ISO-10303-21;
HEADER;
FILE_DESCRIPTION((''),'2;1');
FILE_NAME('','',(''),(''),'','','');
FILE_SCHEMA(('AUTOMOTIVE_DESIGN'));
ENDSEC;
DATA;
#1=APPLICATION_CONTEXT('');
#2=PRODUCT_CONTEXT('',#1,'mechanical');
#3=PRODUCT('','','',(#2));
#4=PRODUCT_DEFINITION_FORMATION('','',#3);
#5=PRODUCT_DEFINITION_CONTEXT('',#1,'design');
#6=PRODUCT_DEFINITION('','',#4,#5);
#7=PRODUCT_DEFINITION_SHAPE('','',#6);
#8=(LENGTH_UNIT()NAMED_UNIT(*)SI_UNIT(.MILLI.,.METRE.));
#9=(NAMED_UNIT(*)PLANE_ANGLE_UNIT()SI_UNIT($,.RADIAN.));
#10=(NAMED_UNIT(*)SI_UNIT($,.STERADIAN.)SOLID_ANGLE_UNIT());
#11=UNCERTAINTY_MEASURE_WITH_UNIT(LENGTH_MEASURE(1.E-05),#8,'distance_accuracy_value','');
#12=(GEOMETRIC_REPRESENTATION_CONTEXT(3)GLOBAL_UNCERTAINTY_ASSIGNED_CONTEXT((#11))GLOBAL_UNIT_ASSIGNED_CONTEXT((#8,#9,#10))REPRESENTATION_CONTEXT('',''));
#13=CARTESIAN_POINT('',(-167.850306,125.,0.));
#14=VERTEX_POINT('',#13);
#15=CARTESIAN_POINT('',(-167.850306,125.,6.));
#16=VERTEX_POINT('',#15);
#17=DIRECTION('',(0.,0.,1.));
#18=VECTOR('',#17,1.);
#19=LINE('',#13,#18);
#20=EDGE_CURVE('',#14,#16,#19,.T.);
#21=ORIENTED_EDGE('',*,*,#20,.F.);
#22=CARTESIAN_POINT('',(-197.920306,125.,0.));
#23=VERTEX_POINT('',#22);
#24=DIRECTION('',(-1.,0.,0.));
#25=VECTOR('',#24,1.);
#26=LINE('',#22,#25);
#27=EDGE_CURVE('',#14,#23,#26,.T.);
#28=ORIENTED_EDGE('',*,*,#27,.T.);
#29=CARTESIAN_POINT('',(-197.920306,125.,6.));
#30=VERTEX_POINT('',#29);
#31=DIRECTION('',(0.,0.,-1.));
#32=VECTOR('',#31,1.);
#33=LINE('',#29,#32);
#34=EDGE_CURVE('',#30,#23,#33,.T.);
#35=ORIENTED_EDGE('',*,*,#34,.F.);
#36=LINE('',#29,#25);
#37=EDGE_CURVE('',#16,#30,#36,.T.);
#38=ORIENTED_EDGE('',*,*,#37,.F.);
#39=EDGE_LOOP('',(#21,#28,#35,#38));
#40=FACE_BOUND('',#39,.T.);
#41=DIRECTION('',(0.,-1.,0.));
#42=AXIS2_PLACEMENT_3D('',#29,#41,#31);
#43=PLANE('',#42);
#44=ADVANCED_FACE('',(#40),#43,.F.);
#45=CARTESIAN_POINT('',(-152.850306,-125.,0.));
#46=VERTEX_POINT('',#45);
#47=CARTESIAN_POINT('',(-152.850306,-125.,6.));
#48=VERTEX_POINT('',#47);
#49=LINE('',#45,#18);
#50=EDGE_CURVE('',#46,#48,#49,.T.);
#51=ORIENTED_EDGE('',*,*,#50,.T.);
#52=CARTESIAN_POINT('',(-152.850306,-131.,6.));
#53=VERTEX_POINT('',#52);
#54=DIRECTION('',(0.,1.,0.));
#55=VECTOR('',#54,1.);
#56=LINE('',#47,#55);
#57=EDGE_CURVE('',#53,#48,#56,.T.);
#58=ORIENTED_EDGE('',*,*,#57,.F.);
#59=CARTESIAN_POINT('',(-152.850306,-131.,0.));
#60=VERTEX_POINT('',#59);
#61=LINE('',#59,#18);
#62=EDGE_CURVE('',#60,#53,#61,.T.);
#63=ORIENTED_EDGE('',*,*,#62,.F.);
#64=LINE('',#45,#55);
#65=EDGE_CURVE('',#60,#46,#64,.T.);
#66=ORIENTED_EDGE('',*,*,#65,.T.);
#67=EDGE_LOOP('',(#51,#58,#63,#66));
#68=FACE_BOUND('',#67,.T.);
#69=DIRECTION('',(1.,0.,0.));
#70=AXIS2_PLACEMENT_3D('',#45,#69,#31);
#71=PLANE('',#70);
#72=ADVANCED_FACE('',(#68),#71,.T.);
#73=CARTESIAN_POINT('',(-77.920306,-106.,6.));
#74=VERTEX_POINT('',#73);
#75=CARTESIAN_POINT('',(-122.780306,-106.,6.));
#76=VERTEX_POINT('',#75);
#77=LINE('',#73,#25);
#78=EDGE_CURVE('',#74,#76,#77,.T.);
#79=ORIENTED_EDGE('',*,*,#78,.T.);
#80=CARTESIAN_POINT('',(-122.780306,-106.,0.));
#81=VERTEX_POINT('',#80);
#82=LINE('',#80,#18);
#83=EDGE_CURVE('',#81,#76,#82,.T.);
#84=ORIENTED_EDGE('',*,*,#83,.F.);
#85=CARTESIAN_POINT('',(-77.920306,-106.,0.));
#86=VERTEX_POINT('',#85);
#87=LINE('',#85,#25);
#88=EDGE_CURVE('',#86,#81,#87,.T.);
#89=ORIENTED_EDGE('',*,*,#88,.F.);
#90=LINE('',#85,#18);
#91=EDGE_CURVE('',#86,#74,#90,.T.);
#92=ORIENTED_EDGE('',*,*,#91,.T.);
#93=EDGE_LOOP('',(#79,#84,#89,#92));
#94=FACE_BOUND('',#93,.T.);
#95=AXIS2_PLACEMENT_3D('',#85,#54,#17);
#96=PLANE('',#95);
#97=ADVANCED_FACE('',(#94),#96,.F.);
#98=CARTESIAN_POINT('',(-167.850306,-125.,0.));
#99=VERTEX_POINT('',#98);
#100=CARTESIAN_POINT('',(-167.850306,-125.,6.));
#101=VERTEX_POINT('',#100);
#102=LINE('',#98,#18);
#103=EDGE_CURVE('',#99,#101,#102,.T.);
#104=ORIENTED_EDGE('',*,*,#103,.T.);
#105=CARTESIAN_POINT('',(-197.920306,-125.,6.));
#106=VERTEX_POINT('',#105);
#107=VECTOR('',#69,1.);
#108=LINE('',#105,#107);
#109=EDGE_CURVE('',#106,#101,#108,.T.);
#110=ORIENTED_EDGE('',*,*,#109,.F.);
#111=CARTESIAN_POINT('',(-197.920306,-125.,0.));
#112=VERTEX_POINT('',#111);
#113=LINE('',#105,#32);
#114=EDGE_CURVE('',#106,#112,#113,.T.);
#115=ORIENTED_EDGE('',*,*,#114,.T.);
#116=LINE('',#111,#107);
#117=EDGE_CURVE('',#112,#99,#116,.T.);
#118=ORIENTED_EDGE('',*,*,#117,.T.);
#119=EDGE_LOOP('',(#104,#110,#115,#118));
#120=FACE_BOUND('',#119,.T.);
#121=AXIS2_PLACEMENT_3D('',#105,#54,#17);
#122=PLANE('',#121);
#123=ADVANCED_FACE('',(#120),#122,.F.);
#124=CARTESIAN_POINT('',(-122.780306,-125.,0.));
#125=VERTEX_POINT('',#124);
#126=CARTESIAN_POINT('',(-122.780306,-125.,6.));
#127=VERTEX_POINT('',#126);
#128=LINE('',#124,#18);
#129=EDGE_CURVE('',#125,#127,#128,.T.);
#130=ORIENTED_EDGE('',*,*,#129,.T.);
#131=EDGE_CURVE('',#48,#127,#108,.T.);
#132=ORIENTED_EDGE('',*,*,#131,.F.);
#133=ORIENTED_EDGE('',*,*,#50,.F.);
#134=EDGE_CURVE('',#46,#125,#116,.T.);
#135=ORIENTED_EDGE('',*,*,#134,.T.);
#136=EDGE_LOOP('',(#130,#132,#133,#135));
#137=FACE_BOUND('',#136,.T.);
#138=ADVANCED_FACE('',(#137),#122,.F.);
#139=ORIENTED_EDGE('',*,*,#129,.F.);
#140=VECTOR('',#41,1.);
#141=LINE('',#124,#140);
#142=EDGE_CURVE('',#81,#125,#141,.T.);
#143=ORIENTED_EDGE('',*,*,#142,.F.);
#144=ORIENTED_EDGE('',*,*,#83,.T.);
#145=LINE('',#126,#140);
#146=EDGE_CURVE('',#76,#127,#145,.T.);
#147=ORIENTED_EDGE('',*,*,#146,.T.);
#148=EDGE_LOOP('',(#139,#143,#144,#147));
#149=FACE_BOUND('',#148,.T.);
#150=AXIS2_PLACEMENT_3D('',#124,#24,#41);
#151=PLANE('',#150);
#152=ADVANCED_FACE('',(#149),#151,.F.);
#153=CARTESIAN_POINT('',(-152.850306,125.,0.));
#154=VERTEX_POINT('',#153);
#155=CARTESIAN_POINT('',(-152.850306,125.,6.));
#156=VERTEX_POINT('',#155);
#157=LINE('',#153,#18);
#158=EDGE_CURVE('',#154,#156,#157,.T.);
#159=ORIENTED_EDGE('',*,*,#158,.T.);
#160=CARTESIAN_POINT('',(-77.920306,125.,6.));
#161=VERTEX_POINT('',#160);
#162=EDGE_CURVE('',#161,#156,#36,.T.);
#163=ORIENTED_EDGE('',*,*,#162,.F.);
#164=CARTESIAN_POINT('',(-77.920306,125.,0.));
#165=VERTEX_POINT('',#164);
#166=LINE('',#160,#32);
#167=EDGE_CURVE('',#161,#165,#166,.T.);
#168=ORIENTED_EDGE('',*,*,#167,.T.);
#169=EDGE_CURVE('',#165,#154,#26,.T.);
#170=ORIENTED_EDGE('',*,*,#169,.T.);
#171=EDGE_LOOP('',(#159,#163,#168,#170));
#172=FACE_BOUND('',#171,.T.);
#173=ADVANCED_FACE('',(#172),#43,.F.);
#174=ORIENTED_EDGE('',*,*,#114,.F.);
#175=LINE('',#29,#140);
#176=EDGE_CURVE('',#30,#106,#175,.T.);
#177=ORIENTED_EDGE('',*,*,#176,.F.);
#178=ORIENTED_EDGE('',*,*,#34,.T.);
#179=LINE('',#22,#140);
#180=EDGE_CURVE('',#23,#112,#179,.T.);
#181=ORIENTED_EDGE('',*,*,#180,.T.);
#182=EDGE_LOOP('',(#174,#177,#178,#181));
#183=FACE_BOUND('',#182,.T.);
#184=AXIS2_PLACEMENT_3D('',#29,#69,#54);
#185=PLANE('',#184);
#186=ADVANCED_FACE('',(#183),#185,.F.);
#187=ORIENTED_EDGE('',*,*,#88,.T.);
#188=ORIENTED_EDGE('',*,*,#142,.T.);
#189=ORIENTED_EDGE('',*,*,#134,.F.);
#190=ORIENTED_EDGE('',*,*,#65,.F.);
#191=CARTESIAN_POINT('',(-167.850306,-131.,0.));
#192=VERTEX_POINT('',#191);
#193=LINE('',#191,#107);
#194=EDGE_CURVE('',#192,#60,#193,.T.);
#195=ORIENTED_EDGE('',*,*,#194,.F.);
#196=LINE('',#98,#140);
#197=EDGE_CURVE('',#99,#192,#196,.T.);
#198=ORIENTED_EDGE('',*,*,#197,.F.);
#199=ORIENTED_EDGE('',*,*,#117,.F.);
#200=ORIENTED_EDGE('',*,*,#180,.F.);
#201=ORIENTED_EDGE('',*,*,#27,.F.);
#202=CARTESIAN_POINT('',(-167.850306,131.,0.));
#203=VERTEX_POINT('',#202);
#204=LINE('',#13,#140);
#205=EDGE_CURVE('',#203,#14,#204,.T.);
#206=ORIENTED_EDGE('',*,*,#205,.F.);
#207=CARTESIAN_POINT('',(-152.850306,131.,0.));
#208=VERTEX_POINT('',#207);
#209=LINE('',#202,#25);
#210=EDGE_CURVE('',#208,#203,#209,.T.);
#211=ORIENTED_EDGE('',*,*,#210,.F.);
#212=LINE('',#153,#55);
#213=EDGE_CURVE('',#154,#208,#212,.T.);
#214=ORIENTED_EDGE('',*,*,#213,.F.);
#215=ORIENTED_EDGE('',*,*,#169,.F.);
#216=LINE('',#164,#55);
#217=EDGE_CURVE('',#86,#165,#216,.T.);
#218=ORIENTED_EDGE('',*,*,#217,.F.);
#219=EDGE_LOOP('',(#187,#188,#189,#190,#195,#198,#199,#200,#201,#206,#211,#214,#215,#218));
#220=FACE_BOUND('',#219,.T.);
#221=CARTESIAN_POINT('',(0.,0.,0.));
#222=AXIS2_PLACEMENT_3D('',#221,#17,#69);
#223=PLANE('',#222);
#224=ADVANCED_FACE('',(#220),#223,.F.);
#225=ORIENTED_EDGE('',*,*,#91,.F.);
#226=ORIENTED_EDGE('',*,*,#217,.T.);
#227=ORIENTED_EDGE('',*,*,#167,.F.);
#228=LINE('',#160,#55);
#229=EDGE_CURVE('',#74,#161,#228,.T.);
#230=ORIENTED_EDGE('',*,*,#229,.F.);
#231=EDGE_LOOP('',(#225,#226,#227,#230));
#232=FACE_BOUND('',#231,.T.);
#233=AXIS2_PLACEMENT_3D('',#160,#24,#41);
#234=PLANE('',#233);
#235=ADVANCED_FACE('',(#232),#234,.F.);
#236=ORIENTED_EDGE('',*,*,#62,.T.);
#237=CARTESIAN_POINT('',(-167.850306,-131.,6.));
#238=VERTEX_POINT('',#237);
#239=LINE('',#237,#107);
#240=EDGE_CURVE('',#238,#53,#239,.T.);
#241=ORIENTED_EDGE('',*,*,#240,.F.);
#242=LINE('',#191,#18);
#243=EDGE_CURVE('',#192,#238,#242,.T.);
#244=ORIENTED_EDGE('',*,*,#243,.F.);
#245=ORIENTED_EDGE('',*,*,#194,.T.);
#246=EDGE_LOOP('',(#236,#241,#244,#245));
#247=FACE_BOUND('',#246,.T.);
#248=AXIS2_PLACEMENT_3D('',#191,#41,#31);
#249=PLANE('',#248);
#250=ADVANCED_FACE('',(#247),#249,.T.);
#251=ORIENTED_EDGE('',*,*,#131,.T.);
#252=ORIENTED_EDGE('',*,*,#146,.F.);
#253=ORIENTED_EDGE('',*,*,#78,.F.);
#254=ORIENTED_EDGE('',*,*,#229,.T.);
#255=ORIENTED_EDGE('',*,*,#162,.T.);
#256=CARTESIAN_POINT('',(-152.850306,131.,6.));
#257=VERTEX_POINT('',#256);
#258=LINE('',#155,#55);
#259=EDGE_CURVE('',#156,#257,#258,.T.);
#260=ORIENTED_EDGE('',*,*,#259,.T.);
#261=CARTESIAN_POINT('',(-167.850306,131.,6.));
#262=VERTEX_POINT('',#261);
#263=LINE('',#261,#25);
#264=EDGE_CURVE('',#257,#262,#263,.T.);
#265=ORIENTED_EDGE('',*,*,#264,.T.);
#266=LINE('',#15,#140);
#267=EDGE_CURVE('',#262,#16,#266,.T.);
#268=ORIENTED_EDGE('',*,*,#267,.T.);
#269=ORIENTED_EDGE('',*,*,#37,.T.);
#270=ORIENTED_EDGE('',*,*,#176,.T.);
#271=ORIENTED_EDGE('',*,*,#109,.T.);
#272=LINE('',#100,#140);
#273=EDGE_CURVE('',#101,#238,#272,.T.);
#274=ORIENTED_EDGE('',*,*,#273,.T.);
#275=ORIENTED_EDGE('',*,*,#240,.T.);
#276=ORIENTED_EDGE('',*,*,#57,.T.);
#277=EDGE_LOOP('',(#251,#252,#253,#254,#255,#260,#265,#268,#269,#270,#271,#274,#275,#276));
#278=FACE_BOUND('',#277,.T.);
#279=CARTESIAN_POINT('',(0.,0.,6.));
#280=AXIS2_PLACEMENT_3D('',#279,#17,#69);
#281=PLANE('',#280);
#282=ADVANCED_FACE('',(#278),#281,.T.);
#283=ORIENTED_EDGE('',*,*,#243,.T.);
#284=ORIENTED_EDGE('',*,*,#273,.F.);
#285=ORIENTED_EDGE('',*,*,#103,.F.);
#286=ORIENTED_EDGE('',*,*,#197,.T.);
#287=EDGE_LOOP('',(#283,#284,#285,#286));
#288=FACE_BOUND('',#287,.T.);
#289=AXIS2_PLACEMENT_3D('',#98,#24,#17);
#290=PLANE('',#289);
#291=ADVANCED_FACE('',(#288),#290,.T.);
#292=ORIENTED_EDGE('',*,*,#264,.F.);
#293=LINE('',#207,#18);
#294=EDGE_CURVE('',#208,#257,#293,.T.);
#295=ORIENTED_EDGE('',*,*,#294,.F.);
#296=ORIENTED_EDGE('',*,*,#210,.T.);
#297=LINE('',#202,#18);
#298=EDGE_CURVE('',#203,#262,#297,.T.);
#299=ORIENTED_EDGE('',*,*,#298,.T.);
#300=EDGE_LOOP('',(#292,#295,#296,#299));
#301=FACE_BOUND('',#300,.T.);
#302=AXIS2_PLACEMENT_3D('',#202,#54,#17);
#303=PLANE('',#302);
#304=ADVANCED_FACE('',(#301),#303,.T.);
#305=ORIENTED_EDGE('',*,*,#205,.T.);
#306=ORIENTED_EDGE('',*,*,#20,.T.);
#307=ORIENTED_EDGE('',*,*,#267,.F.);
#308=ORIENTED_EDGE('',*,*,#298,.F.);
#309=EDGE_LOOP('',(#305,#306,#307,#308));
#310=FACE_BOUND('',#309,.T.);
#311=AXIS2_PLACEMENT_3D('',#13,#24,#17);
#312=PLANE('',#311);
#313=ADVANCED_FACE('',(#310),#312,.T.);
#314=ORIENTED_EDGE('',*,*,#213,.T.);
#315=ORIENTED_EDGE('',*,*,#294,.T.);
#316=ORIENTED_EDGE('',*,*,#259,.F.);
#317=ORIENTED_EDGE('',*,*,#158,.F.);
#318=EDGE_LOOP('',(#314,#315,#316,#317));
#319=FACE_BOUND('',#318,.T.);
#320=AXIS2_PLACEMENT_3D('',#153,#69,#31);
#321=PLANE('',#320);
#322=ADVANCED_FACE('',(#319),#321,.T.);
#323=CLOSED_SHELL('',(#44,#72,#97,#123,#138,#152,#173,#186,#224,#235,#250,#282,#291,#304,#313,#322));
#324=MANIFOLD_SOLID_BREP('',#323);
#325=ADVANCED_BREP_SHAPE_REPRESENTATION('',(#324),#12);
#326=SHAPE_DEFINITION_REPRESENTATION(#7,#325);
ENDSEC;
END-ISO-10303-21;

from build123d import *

# Parameters (mm, degrees)
ESQUISSE1_W             = 120
ESQUISSE1_H             = 250
BOSS_EXTRU_1_DEPTH      = 6
ESQUISSE2_W             = 15
ESQUISSE2_H             = 6
BOSS_EXTRU_3_DEPTH      = 6
ESQUISSE3_W             = 44.86
ESQUISSE3_H             = 19
ENL_V_MAT_EXTRU_1_DEPTH = 6


with BuildPart() as part:
    # Esquisse1 → Boss.-Extru.1 (new body)
    with BuildSketch(Plane.XY):
        with Locations((-137.920305677, 0)):
            Rectangle(ESQUISSE1_W, ESQUISSE1_H)
    extrude(amount=BOSS_EXTRU_1_DEPTH)

    # Esquisse2 → Boss.-Extru.3 (add)
    with BuildSketch(Plane.XY.offset(6)):
        with Locations((-160.350305677, -128)):
            Rectangle(ESQUISSE2_W, ESQUISSE2_H)
        with Locations((-160.350305677, 128)):
            Rectangle(ESQUISSE2_W, ESQUISSE2_H)
    extrude(amount=-BOSS_EXTRU_3_DEPTH)

    # Esquisse3 → Enlèv. mat.-Extru.1 (cut)
    with BuildSketch(Plane.XY.offset(6)):
        with Locations((-100.350305677, -115.5)):
            Rectangle(ESQUISSE3_W, ESQUISSE3_H)
    extrude(amount=-ENL_V_MAT_EXTRU_1_DEPTH, mode=Mode.SUBTRACT)


solid = part.part
